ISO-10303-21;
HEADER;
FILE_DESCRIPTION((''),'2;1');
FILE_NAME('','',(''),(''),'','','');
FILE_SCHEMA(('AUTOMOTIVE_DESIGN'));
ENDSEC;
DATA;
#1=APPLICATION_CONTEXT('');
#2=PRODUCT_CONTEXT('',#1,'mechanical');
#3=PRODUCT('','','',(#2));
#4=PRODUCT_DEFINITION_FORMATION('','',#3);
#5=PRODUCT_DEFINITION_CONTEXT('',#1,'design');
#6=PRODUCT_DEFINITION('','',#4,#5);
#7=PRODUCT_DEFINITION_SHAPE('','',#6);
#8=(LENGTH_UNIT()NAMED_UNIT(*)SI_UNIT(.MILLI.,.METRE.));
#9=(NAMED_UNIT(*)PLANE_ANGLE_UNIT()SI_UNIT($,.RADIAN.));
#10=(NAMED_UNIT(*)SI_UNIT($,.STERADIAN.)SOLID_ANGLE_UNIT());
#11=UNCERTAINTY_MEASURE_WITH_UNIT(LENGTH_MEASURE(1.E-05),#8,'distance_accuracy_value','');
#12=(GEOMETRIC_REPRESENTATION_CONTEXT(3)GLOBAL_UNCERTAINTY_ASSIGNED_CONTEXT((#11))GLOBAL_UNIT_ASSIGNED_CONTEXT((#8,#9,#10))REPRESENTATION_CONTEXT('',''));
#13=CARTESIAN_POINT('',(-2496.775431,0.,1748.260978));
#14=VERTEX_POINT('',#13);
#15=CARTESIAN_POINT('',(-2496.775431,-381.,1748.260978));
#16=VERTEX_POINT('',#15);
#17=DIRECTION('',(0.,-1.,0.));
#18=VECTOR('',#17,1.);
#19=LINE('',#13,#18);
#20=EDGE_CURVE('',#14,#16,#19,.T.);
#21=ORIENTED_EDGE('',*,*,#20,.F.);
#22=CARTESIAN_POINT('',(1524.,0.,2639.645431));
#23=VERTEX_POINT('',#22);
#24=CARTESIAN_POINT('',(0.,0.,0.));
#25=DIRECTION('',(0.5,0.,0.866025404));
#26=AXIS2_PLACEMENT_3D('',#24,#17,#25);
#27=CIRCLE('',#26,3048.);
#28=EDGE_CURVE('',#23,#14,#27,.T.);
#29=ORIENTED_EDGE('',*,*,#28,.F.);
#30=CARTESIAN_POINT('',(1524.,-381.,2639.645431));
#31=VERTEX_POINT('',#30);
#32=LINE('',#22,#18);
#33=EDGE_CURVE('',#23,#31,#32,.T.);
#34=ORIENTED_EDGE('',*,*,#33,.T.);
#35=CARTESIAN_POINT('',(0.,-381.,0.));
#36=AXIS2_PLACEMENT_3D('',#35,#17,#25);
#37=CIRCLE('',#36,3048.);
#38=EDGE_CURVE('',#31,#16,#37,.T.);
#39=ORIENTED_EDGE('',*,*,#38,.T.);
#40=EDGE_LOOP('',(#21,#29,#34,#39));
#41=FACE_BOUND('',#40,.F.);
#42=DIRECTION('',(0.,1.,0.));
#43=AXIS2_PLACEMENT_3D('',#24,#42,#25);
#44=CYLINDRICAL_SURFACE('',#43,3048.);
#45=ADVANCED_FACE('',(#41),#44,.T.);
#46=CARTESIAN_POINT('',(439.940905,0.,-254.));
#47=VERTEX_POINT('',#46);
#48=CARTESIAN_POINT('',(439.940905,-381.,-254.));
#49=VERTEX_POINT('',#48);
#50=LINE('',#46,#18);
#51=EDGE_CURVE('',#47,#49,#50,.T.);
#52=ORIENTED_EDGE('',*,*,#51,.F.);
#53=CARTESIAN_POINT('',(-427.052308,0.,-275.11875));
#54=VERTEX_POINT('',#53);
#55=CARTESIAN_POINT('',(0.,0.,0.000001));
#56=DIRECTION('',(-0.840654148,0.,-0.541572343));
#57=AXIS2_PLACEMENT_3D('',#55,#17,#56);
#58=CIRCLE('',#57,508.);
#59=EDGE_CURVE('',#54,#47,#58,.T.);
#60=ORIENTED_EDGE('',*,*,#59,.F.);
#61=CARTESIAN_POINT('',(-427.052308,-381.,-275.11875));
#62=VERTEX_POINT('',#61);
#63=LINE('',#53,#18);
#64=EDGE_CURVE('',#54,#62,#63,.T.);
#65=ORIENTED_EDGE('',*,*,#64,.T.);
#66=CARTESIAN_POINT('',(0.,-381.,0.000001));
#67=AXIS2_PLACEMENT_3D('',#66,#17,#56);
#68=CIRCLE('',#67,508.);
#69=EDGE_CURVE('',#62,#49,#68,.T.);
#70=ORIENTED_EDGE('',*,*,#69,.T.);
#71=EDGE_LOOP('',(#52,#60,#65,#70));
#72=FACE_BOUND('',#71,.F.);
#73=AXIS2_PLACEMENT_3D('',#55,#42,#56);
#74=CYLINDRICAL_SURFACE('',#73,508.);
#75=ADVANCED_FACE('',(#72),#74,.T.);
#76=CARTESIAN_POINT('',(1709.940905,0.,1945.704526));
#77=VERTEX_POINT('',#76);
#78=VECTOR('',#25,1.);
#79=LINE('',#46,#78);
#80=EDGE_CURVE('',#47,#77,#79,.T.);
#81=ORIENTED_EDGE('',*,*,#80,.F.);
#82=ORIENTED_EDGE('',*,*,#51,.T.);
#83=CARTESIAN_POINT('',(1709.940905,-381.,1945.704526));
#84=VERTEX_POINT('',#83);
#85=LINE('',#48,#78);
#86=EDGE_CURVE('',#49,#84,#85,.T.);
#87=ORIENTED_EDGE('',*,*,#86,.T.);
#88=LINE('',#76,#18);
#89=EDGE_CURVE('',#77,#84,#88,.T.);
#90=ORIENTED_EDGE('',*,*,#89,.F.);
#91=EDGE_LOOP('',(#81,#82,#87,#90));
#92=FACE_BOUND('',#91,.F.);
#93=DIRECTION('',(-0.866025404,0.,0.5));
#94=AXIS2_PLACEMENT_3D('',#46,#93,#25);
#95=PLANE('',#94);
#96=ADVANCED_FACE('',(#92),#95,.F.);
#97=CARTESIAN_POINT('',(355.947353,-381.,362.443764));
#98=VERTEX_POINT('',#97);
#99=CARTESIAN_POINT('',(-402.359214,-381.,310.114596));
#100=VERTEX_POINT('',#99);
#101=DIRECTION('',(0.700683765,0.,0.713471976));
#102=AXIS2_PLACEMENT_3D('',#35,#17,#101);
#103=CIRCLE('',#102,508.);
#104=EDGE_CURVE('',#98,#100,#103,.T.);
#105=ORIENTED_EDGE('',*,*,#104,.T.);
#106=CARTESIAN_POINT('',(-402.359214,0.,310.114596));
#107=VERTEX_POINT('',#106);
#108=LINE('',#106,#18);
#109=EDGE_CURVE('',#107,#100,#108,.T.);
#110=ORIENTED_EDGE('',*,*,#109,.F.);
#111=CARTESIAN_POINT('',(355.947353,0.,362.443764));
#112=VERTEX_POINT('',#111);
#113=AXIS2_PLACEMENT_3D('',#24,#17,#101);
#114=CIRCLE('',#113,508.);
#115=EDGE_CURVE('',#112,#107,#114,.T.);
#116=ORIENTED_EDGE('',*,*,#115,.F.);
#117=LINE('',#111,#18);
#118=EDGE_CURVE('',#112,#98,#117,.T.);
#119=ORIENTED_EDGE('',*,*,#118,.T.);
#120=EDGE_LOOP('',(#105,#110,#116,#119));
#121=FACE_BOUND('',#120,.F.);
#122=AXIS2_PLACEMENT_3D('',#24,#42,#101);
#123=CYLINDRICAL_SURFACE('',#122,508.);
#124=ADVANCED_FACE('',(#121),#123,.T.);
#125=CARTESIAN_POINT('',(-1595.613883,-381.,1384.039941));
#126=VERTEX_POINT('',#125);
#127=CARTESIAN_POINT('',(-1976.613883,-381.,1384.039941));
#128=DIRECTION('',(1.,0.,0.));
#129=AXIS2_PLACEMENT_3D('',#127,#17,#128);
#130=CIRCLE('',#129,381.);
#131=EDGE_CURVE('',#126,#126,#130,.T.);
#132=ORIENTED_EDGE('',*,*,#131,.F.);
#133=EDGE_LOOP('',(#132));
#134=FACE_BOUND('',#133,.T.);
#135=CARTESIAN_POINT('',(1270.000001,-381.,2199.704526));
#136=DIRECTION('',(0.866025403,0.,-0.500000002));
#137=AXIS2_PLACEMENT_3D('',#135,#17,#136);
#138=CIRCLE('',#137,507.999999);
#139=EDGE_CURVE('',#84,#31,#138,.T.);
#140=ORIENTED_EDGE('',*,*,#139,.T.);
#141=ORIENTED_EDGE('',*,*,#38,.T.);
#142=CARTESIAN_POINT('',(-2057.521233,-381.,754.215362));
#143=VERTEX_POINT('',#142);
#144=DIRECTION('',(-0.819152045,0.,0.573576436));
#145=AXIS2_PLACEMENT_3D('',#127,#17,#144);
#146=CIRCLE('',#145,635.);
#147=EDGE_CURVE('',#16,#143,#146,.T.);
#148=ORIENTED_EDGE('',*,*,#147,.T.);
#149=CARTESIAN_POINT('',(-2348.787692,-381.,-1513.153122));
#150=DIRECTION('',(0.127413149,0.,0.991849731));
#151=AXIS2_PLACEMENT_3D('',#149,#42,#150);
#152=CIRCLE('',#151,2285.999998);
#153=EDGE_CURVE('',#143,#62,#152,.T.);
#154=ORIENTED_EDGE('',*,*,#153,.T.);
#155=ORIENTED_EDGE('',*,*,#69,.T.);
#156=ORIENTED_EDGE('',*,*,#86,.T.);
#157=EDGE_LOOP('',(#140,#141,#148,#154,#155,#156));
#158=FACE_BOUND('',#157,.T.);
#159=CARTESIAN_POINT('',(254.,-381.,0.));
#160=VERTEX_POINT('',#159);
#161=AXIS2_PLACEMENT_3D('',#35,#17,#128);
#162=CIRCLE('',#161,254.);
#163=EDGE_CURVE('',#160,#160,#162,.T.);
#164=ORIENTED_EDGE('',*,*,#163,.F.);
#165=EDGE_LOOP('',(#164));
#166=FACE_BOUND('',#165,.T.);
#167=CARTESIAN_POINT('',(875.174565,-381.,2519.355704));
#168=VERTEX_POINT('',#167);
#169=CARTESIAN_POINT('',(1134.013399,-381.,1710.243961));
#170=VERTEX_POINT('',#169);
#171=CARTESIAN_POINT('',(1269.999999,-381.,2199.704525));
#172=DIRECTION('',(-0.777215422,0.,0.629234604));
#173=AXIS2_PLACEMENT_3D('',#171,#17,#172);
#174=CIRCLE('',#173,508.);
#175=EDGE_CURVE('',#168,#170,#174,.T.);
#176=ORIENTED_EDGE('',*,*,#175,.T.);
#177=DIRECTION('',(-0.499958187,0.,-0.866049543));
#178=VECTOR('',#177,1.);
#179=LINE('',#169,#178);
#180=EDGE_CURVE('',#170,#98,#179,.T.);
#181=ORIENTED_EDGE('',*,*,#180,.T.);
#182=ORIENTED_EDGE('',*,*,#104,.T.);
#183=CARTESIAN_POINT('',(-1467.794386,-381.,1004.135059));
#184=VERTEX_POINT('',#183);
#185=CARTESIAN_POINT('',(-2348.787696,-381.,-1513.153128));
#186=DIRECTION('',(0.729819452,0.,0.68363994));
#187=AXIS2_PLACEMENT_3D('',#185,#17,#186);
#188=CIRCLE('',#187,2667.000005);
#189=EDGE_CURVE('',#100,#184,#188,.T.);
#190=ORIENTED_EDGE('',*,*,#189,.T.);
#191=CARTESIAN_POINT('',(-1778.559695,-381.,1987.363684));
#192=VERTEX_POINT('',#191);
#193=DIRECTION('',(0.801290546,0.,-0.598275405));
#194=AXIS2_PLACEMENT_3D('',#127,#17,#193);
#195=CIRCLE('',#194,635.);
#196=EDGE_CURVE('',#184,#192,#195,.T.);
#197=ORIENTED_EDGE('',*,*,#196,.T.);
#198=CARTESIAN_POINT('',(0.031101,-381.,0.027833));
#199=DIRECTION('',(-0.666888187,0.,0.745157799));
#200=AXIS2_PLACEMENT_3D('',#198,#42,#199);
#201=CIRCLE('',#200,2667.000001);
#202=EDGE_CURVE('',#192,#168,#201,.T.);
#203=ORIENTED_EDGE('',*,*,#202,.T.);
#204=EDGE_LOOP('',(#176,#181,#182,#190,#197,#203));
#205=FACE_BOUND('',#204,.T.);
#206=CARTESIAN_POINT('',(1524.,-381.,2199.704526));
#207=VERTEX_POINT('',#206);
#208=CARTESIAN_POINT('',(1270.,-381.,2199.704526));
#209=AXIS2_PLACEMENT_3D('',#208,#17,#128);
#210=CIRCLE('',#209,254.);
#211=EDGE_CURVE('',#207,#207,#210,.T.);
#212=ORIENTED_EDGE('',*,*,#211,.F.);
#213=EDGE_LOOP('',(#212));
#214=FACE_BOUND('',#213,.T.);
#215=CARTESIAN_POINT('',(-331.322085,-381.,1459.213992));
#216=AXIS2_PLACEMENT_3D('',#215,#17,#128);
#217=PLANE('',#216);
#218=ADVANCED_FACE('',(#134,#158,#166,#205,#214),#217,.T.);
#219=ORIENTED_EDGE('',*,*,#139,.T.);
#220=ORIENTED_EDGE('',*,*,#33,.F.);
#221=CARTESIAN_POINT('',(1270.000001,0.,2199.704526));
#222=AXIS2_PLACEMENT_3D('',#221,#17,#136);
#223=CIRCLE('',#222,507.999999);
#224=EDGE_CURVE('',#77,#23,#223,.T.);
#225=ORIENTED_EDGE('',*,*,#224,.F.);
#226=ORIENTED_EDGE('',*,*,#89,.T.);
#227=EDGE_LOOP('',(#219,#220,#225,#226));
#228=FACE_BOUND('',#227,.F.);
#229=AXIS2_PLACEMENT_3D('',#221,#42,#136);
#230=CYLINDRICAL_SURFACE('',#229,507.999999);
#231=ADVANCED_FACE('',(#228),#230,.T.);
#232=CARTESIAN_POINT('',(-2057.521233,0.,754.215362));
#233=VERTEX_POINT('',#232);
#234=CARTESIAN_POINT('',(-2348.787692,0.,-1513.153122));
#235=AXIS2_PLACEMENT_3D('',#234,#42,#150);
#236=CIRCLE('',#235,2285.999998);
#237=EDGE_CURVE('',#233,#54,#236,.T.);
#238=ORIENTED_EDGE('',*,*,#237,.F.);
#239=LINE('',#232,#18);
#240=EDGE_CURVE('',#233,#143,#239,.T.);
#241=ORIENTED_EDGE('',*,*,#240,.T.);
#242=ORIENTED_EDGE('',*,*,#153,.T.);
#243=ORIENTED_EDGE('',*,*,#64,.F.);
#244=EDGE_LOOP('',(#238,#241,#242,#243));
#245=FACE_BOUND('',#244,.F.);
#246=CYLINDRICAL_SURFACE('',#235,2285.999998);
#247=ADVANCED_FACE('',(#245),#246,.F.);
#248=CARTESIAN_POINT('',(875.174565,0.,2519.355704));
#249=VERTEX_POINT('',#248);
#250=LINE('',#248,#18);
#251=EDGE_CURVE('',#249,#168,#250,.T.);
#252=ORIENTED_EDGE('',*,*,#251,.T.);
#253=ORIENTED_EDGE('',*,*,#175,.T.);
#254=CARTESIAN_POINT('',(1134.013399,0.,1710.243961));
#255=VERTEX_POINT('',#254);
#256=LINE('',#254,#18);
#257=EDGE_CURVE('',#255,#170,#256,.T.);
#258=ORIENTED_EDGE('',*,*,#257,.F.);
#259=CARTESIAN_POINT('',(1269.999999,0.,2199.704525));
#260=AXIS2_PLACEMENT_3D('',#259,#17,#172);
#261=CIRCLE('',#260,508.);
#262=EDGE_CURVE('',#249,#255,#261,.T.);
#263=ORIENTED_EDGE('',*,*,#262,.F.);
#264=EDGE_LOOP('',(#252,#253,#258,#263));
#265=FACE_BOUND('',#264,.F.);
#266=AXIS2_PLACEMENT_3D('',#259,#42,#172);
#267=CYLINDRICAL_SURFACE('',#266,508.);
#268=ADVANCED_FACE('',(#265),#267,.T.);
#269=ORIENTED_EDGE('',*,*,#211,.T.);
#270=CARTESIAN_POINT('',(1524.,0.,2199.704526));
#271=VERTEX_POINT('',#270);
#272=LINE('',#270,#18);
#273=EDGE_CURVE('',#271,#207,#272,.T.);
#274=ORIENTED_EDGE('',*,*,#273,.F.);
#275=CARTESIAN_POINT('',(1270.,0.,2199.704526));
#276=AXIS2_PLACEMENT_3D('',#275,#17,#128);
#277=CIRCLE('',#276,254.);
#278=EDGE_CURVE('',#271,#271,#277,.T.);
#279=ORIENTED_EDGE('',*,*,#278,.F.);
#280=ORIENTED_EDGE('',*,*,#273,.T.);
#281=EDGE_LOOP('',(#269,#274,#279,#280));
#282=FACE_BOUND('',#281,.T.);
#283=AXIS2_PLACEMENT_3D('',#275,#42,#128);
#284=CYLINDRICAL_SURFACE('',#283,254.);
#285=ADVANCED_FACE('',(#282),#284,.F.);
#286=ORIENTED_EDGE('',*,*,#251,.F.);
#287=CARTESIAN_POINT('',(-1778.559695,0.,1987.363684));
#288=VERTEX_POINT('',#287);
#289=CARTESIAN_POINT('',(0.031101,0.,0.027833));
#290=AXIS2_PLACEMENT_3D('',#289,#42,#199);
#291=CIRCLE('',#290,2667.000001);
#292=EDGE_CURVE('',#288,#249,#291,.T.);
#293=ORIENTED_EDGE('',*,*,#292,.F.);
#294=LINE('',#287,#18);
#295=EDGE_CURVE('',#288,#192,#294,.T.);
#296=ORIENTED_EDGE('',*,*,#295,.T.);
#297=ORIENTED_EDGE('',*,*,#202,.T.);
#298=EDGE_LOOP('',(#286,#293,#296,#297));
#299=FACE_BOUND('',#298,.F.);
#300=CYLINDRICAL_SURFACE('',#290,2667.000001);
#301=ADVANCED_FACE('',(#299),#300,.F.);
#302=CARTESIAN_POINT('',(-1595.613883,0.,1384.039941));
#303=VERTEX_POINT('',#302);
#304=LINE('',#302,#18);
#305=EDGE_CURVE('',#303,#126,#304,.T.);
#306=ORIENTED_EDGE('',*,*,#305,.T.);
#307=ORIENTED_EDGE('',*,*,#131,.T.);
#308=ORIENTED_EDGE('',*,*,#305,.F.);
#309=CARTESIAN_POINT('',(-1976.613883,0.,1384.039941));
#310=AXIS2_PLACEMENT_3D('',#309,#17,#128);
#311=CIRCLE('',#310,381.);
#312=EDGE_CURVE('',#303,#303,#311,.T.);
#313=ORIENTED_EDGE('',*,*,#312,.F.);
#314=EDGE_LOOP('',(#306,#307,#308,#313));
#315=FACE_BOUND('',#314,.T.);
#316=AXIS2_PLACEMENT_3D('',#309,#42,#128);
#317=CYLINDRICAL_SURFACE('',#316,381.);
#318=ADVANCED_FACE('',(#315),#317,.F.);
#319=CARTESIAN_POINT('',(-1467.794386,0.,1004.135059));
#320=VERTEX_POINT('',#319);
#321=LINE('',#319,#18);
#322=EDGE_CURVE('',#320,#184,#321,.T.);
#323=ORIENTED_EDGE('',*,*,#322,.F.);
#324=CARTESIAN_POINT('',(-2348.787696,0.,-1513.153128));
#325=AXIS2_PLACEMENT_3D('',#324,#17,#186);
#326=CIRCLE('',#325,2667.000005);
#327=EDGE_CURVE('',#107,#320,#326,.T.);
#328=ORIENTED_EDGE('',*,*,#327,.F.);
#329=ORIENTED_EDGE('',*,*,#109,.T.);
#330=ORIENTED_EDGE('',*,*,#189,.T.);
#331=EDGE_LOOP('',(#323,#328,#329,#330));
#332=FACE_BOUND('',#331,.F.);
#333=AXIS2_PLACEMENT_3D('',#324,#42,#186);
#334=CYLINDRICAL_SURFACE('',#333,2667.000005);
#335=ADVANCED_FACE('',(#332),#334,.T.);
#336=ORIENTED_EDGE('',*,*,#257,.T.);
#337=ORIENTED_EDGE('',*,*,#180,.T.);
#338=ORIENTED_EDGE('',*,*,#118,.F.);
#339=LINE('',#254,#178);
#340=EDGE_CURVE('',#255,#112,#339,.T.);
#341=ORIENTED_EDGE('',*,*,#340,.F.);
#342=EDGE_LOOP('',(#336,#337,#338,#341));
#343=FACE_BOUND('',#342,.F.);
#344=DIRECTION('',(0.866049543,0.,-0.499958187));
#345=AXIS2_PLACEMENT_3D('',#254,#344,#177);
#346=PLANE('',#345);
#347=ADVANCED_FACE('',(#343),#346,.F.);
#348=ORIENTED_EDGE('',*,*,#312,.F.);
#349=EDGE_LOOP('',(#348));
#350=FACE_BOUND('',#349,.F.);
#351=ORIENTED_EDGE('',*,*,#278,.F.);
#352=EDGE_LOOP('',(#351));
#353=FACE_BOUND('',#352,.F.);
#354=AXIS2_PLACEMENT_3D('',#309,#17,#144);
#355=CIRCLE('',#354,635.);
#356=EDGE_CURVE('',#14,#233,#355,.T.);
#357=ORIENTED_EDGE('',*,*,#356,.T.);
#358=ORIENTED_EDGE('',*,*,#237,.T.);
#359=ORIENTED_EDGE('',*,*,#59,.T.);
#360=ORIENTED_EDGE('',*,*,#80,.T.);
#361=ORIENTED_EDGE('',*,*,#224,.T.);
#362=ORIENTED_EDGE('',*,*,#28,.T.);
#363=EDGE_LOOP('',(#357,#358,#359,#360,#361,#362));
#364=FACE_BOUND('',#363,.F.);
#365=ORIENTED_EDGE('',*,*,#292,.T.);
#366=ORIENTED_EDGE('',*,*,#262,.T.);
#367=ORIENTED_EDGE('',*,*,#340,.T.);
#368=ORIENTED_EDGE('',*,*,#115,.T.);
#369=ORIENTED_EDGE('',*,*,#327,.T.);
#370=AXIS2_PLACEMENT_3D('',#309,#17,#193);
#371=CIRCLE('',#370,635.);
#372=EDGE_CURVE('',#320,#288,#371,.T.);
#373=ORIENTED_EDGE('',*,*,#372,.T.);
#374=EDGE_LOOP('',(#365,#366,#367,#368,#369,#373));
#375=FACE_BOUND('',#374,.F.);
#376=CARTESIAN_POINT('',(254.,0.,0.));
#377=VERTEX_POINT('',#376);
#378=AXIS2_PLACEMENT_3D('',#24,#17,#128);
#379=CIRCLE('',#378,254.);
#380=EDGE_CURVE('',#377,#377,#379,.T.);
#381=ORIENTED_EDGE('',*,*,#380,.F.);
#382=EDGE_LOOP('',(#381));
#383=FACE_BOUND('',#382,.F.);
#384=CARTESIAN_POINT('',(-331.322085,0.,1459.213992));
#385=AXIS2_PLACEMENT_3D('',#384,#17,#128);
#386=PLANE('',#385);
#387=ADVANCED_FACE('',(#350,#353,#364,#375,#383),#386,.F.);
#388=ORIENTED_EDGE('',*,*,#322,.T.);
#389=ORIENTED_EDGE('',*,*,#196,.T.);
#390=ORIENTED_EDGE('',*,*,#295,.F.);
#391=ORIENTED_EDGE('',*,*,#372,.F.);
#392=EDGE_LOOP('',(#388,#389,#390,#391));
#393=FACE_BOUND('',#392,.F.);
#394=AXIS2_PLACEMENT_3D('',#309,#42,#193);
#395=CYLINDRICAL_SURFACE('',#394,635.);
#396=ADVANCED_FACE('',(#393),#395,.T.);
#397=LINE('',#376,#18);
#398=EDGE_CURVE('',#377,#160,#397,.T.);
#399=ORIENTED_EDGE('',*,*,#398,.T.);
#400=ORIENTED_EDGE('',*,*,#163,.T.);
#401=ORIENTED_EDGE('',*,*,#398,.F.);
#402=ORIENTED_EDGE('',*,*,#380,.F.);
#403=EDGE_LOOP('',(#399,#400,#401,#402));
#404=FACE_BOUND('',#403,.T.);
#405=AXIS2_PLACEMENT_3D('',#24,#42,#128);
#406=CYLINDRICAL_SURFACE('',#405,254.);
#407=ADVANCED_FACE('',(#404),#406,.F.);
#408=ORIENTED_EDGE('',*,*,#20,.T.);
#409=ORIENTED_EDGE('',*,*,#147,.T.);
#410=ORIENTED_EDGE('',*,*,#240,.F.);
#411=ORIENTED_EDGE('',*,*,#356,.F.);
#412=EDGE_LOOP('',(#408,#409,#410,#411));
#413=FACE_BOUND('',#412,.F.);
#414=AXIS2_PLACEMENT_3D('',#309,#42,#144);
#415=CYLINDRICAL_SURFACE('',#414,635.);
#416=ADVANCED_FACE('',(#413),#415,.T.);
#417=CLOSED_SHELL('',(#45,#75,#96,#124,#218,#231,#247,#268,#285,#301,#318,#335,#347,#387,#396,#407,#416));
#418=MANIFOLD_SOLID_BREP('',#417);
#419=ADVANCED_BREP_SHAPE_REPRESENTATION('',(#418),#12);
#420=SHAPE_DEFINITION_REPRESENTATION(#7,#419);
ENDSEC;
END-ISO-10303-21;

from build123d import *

# Parameters (mm, degrees)
F0_R     = 254
F0_R_2   = 381
F1_DEPTH = 381


with BuildPart() as f1:
    # F0 (on Front) → F1 (new body)
    with BuildSketch(Plane.XZ):
        with BuildLine():
            ThreePointArc((1709.940905, 1945.704526), (1760.69032, 2331.184601), (1524, 2639.645431))
            ThreePointArc((1524, 2639.645431), (-659.707943, 2975.75023), (-2496.775431, 1748.260978))
            ThreePointArc((-2496.775431, 1748.260978), (-2557.434532, 1127.383803), (-2057.521233, 754.215362))
            ThreePointArc((-2057.521233, 754.215362), (-1128.449023, 419.867707), (-427.052308, -275.11875))
            ThreePointArc((-427.052308, -275.11875), (12.370505, -507.849358), (439.940905, -254))
            Line((439.940905, -254), (1709.940905, 1945.704526))
        make_face()
        Circle(F0_R, mode=Mode.SUBTRACT)
        with Locations((-1976.613883, 1384.039941)):
            Circle(F0_R_2, mode=Mode.SUBTRACT)
        with BuildLine():
            ThreePointArc((-402.359214, 310.114596), (-893.111016, 721.549186), (-1467.794386, 1004.135059))
            ThreePointArc((-1467.794386, 1004.135059), (-1371.137018, 1575.410697), (-1778.559695, 1987.363684))
            ThreePointArc((-1778.559695, 1987.363684), (-524.190367, 2615.000272), (875.174565, 2519.355704))
            ThreePointArc((875.174565, 2519.355704), (786.155182, 2044.920184), (1134.013399, 1710.243961))
            Line((1134.013399, 1710.243961), (355.947353, 362.443764))
            ThreePointArc((355.947353, 362.443764), (-34.972856, 506.794731), (-402.359214, 310.114596))
        make_face(mode=Mode.SUBTRACT)
        with Locations((1270, 2199.704526)):
            Circle(F0_R, mode=Mode.SUBTRACT)
    extrude(amount=F1_DEPTH)


solid = f1.part
